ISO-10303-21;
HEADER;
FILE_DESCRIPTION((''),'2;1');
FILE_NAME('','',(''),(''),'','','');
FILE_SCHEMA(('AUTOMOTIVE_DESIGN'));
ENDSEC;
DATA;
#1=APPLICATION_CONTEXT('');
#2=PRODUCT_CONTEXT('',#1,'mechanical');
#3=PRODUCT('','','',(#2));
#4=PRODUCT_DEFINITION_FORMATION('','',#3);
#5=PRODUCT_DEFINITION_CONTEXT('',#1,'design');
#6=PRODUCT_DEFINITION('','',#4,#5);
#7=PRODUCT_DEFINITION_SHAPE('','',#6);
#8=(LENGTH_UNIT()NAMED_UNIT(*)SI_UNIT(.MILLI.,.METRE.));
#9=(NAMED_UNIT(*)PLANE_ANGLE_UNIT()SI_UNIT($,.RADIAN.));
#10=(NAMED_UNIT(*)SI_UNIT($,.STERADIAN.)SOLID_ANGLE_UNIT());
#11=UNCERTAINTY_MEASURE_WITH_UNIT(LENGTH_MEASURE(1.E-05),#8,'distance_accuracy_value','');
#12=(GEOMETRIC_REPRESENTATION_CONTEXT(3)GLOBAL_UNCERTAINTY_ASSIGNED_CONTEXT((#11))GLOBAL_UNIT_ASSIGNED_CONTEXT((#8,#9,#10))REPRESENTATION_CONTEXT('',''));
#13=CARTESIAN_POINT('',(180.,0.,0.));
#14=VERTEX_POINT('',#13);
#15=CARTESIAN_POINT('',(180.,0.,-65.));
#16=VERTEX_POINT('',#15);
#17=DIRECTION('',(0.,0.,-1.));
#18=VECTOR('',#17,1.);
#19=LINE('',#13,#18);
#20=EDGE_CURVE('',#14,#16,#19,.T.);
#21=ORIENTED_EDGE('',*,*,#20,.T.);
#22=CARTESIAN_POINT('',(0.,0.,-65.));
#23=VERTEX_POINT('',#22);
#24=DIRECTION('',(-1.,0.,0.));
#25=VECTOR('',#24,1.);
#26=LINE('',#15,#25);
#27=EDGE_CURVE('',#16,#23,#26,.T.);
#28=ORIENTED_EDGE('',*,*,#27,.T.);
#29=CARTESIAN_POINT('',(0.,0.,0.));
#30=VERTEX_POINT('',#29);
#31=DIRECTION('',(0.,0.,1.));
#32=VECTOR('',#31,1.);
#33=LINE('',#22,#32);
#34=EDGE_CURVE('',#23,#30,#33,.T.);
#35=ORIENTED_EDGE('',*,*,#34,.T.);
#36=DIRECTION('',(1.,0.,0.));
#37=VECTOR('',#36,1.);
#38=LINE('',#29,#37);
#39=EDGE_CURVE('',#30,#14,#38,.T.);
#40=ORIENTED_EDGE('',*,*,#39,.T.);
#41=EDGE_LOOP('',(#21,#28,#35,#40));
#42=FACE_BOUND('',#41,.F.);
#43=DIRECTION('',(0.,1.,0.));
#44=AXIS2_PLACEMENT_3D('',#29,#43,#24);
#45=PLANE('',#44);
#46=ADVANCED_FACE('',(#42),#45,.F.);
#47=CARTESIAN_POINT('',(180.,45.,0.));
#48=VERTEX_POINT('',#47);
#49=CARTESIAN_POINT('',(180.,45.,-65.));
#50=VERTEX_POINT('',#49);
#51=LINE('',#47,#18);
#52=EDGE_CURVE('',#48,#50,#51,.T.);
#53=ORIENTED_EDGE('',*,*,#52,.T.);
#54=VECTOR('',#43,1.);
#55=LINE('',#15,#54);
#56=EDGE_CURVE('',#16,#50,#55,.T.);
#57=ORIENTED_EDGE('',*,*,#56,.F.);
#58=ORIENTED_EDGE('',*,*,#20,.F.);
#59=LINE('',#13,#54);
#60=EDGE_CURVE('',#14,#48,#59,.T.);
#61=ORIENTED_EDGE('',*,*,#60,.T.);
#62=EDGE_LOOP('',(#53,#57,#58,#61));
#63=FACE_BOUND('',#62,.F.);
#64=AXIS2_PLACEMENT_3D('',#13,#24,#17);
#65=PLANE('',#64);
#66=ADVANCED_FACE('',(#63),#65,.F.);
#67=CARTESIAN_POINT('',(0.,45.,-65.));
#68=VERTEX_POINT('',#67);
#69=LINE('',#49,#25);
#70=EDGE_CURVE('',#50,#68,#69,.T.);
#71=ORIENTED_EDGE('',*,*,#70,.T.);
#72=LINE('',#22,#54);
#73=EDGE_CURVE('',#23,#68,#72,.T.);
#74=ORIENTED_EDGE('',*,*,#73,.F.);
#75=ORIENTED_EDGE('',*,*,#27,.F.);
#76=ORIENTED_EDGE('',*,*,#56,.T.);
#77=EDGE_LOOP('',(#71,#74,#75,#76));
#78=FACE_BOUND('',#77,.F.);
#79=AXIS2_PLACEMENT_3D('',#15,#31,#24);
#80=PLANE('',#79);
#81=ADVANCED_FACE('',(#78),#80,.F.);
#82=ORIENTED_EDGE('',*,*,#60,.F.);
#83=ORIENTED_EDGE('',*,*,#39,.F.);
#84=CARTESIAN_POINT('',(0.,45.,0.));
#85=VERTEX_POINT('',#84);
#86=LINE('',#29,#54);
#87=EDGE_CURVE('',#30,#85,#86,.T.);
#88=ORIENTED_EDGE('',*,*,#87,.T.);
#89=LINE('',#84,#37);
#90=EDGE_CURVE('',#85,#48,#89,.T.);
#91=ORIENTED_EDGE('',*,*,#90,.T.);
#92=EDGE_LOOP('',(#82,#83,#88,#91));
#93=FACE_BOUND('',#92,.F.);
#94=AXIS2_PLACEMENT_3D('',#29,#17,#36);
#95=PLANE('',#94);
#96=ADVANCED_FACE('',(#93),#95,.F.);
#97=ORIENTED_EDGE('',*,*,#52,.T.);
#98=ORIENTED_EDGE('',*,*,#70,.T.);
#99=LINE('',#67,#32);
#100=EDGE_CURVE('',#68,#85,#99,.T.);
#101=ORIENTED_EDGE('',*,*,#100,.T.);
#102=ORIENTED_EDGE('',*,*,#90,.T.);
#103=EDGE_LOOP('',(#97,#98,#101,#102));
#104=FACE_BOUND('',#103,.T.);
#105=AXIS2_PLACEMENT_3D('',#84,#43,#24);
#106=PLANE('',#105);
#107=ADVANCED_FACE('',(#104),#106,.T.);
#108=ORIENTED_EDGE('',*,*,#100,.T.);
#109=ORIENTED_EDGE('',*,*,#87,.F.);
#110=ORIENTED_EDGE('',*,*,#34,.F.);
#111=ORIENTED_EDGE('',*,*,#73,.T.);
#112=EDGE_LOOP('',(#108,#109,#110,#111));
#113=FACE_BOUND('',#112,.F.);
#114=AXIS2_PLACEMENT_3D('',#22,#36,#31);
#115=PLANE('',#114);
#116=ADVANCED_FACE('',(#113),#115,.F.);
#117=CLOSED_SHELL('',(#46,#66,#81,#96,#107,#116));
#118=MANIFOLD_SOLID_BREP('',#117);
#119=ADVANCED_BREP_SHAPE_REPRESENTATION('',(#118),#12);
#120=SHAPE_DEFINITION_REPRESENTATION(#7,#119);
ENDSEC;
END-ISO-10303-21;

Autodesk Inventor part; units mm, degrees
ref_plane "YZ Plane" through (0, 0, 0) normal (1, 0, 0) x (0, 1, 0)
ref_plane "XZ Plane" through (0, 0, 0) normal (0, 1, 0) x (-1, 0, 0)
ref_plane "XY Plane" through (0, 0, 0) normal (0, 0, 1) x (1, 0, 0)
sketch "Sketch1" plane through (0, 0, 0) normal (0, 1, 0) x (-1, 0, 0)
  line L0 (0, 0) -> (-180, 0)
  line L1 (-180, 0) -> (-180, -65)
  line L2 (-180, -65) -> (0, -65)
  line L3 (0, -65) -> (0, 0)
  dimension "d0" = 180
  dimension "d1" = 65
extrude "Extrusion1" add sketch "Sketch1" along normal blind 45
properties part number "Mock Charger"
